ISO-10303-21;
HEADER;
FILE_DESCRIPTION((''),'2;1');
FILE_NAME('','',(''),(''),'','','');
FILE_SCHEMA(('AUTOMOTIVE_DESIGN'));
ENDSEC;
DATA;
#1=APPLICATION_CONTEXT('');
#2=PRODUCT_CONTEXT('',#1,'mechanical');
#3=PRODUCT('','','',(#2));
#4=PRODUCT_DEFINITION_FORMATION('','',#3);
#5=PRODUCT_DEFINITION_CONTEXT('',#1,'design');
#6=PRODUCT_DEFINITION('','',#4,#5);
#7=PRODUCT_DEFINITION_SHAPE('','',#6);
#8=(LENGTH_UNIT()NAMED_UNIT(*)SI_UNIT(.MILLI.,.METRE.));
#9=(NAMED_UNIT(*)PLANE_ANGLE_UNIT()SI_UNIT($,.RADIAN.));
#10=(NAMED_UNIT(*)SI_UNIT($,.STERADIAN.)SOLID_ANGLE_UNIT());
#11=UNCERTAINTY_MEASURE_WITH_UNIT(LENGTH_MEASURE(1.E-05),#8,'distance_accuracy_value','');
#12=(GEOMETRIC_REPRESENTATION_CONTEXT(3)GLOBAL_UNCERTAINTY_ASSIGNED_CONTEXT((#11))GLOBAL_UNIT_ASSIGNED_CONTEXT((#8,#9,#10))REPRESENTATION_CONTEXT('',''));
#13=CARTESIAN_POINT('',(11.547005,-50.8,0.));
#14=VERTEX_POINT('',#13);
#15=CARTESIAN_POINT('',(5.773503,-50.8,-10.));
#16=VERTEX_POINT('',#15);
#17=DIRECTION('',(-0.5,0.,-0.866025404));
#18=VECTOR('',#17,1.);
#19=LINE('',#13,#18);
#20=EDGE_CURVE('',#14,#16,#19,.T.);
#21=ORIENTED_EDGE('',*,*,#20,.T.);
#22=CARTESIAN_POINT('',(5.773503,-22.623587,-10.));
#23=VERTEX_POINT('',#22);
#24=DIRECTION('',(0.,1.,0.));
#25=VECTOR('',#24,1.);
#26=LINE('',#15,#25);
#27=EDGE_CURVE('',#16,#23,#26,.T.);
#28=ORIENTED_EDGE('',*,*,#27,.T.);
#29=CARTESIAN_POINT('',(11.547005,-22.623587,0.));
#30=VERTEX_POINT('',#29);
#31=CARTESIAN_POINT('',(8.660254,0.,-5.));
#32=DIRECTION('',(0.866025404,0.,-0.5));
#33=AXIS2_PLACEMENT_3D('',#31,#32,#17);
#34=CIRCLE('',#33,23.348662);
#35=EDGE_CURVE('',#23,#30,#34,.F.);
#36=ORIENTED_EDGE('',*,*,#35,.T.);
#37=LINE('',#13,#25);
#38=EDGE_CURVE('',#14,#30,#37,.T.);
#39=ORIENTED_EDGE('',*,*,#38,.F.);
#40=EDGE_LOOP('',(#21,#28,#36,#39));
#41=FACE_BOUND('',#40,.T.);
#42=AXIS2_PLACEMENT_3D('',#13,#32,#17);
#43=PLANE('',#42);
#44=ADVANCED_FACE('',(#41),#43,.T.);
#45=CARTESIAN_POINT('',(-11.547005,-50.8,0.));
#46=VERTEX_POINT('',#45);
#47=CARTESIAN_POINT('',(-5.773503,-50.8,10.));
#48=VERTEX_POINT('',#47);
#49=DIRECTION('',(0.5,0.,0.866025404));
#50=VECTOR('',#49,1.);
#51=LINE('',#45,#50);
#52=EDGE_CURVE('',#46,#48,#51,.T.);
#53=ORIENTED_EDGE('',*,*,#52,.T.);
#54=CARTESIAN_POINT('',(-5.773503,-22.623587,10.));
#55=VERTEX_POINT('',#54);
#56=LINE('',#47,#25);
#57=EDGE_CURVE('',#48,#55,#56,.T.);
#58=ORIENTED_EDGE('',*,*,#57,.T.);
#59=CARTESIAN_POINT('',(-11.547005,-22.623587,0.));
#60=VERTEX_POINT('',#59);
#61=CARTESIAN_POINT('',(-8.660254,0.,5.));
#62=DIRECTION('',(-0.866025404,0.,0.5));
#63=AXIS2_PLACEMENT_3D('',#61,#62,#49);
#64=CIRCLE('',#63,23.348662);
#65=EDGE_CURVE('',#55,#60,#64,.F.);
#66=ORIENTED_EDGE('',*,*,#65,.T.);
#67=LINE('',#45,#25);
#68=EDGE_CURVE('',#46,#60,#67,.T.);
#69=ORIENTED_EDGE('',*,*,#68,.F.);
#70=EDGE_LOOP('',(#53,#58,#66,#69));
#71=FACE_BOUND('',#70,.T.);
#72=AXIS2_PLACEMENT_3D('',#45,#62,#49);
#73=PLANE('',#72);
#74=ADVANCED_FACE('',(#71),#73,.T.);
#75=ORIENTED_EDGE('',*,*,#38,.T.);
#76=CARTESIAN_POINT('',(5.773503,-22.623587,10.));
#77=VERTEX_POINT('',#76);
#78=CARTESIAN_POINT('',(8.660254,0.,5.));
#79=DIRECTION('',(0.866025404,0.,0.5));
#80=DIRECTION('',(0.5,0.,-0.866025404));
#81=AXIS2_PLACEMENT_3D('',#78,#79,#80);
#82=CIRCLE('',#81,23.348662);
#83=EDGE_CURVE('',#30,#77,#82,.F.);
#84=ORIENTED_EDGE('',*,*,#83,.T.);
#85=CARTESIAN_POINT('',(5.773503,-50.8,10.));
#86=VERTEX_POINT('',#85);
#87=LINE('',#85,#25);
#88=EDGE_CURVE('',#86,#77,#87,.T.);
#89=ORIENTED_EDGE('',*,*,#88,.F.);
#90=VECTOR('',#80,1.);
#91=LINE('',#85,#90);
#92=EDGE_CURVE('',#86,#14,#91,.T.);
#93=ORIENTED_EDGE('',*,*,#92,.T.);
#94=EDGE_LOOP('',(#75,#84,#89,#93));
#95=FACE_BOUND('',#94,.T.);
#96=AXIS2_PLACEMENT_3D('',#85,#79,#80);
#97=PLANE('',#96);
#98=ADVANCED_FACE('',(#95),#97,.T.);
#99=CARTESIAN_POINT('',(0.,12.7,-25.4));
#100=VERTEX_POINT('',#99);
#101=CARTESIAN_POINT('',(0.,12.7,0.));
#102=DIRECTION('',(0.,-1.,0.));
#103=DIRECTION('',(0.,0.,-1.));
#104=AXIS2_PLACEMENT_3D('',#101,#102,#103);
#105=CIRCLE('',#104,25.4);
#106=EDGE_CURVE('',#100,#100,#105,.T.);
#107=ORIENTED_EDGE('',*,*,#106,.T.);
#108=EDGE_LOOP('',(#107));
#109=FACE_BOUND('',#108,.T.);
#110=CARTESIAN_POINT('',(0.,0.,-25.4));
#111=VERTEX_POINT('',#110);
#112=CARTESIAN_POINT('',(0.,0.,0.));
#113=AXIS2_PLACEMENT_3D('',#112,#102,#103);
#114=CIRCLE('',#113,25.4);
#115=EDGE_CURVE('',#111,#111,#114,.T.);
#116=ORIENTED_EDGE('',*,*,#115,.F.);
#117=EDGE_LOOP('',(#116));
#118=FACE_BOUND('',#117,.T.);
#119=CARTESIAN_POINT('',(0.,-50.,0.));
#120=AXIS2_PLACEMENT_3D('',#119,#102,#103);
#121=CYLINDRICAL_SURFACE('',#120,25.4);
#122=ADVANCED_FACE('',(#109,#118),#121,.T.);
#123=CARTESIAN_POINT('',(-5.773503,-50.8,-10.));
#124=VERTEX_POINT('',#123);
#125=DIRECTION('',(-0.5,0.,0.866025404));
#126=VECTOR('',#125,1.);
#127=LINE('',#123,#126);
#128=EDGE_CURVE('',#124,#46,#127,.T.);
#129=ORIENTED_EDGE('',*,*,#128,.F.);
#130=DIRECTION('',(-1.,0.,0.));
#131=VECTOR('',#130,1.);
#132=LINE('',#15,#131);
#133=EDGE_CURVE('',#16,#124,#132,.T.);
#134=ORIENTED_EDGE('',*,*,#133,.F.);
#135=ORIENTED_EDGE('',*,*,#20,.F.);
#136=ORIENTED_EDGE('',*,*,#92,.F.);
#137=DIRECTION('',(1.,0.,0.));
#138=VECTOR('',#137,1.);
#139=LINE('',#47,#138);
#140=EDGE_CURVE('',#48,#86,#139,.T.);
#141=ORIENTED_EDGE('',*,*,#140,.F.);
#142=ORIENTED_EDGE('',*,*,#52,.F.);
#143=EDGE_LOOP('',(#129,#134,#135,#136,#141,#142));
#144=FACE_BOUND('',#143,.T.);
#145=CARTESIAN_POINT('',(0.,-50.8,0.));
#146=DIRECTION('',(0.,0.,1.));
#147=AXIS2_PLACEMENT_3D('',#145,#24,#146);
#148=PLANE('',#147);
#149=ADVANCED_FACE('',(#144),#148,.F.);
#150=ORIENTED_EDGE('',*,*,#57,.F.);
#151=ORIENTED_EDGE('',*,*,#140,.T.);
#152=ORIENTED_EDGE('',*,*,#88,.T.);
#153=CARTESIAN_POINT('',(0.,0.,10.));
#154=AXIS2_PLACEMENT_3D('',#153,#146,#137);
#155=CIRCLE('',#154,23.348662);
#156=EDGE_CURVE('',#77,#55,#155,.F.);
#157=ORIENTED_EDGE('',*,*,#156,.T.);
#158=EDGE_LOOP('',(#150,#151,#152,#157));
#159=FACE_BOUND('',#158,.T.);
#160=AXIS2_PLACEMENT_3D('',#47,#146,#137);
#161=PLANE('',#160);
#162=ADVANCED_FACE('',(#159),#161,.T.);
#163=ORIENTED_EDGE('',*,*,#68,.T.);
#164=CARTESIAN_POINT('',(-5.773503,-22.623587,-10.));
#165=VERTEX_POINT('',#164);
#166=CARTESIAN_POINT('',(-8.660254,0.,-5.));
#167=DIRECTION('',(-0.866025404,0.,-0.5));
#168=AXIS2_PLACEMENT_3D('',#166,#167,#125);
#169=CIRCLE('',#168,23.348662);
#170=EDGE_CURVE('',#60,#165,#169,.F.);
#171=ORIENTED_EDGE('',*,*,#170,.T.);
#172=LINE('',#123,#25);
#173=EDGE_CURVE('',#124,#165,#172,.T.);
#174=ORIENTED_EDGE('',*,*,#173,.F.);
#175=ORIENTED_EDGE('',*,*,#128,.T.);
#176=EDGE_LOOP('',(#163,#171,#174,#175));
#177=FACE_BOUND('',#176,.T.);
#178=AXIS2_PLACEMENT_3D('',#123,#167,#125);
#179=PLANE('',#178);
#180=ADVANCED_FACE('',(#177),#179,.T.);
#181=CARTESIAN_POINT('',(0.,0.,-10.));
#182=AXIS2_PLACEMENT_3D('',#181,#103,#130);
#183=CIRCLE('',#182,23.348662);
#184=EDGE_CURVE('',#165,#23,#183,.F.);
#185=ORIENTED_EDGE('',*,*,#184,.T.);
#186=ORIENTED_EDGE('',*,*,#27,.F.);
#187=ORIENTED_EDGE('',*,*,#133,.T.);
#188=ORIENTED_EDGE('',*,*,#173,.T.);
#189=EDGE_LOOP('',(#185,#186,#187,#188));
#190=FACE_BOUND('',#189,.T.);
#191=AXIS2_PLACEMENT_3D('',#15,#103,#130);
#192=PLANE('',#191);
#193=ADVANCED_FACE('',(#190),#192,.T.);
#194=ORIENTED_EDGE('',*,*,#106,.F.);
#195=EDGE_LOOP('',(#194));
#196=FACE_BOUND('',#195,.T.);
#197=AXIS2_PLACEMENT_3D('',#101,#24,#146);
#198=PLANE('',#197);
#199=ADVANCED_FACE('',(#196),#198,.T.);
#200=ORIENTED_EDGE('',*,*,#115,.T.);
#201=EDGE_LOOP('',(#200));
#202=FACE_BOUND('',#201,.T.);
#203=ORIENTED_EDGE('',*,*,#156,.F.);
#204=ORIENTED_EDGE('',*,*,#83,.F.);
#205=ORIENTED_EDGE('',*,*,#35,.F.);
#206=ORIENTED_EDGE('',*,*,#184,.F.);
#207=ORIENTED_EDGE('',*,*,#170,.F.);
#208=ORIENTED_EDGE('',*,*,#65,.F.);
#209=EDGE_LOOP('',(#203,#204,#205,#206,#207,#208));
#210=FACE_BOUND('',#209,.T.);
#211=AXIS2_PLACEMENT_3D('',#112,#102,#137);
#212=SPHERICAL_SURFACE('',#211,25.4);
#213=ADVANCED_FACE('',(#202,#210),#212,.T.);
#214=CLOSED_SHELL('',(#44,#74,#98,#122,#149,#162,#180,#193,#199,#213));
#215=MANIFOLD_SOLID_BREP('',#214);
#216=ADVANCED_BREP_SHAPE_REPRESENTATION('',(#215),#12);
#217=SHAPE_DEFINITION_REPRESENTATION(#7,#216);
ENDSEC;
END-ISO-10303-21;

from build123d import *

# Parameters (mm, degrees)
BOSS_EXTRUDE1_DEPTH = 50.8


with BuildPart() as part:
    # Sketch2 → Revolve3 (revolve)
    with BuildSketch(Plane.XY):
        with BuildLine():
            Line((0, 12.7), (0, -25.4))
            ThreePointArc((0, -25.4), (17.960512242, -17.960512242), (25.4, 0))
            Line((25.4, 0), (25.4, 12.7))
            Line((25.4, 12.7), (0, 12.7))
        make_face()
    revolve(axis=Axis((0, -50, 0), (0, 1, 0)))

    # Sketch3 → Boss-Extrude1 (add)
    with BuildSketch(Plane(origin=(0, 0, 0), x_dir=(1, 0, 0), z_dir=(0, 1, 0))):
        Polygon((-5.773502692, -10), (5.773502692, -10), (11.547005384, 0), (5.773502692, 10), (-5.773502692, 10), (-11.547005384, 0), align=None)
    extrude(amount=-BOSS_EXTRUDE1_DEPTH)


solid = part.part
